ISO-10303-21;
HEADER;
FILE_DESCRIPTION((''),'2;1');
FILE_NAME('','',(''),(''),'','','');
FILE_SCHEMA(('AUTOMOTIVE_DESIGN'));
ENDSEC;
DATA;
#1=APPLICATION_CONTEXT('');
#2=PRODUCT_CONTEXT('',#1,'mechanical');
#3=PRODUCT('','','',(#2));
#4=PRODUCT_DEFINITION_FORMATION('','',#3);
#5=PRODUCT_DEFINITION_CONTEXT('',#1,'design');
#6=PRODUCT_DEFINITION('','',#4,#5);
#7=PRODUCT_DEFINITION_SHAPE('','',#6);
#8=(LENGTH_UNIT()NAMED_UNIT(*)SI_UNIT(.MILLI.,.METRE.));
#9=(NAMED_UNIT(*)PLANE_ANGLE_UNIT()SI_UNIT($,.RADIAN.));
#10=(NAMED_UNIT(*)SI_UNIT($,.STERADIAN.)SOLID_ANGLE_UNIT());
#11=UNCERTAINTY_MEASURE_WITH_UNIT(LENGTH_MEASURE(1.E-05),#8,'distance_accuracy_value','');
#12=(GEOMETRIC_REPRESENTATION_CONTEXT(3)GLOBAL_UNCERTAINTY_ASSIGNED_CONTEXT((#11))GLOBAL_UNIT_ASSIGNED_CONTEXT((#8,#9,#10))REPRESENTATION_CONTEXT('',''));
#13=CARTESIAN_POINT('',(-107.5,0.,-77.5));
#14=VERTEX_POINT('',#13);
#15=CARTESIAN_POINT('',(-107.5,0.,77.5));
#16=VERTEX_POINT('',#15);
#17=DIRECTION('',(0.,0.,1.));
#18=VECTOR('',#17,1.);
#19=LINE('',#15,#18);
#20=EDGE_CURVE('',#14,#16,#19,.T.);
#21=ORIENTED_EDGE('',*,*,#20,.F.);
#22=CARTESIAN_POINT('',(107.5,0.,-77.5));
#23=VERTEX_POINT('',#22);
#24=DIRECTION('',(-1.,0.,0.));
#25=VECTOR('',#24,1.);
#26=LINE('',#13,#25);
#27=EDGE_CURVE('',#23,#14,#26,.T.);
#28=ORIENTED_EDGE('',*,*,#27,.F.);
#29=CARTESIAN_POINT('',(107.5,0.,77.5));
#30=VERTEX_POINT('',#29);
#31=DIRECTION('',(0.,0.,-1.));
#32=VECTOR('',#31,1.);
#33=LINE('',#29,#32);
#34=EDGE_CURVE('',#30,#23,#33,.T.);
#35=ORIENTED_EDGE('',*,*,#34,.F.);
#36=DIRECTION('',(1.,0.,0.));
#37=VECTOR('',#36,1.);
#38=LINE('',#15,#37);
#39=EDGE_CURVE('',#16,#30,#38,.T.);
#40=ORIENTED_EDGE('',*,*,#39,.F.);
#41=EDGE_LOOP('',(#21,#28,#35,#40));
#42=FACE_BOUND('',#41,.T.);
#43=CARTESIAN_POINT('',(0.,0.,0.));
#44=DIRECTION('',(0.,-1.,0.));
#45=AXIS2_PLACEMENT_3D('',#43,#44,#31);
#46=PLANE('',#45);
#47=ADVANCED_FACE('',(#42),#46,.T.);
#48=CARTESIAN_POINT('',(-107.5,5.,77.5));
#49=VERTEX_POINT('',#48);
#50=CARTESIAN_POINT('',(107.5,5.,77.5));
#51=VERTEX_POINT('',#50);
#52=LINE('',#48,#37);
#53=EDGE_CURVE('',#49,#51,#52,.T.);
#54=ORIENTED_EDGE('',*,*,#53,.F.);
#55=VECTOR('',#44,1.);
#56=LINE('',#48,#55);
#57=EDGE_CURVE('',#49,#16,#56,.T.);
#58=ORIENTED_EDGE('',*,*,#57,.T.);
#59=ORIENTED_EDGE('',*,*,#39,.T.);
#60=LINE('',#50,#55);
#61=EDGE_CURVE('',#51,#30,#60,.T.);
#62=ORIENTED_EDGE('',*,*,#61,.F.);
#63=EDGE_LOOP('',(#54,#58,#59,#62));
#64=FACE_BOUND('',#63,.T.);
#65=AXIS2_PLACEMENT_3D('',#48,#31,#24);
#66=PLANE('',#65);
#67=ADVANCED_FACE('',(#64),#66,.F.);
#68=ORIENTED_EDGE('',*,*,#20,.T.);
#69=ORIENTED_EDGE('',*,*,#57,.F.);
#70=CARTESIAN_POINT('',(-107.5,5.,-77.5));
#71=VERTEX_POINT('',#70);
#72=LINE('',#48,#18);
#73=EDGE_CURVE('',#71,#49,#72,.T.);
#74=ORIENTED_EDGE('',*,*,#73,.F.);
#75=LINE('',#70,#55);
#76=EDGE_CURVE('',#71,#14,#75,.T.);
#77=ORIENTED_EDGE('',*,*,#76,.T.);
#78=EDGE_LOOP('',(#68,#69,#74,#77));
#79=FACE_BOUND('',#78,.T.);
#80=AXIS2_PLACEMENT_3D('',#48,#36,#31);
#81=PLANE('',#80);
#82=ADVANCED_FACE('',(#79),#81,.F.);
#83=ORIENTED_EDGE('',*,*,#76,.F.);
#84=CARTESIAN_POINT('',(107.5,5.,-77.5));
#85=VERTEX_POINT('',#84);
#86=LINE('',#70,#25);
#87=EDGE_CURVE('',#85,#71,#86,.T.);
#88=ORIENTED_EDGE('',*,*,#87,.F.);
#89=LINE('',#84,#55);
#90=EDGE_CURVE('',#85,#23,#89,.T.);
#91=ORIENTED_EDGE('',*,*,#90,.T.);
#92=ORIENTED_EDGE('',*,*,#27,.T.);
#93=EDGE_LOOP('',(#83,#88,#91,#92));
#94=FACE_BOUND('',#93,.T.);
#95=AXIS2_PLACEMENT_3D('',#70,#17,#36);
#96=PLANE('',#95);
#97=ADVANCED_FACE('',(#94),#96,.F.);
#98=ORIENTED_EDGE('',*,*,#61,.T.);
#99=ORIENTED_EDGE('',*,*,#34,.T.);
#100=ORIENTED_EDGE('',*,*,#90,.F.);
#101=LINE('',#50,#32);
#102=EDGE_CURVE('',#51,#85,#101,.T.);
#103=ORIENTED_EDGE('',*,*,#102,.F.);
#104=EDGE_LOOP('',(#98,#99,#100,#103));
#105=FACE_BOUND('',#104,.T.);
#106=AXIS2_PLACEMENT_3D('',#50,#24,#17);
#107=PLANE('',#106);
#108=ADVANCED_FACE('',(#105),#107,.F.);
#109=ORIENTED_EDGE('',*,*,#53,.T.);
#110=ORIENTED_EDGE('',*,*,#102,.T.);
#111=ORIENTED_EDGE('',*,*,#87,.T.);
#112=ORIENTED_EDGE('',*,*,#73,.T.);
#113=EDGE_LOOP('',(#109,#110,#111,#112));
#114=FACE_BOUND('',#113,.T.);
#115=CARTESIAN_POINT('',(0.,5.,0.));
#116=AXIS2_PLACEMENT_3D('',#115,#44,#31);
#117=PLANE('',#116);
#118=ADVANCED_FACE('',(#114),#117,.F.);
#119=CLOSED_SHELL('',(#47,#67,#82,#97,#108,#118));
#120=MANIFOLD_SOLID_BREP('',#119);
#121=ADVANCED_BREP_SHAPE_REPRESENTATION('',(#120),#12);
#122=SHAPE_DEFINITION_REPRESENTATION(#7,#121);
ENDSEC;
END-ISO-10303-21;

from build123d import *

# Parameters (mm, degrees)
SKETCH_1_W      = 215
SKETCH_1_H      = 155
EXTRUDE_1_DEPTH = 5


with BuildPart() as part:
    # 스케치1 → 보스-돌출1 (new body)
    with BuildSketch(Plane(origin=(0, 0, 0), x_dir=(1, 0, 0), z_dir=(0, 1, 0))):
        Rectangle(SKETCH_1_W, SKETCH_1_H)
    extrude(amount=EXTRUDE_1_DEPTH)


solid = part.part
